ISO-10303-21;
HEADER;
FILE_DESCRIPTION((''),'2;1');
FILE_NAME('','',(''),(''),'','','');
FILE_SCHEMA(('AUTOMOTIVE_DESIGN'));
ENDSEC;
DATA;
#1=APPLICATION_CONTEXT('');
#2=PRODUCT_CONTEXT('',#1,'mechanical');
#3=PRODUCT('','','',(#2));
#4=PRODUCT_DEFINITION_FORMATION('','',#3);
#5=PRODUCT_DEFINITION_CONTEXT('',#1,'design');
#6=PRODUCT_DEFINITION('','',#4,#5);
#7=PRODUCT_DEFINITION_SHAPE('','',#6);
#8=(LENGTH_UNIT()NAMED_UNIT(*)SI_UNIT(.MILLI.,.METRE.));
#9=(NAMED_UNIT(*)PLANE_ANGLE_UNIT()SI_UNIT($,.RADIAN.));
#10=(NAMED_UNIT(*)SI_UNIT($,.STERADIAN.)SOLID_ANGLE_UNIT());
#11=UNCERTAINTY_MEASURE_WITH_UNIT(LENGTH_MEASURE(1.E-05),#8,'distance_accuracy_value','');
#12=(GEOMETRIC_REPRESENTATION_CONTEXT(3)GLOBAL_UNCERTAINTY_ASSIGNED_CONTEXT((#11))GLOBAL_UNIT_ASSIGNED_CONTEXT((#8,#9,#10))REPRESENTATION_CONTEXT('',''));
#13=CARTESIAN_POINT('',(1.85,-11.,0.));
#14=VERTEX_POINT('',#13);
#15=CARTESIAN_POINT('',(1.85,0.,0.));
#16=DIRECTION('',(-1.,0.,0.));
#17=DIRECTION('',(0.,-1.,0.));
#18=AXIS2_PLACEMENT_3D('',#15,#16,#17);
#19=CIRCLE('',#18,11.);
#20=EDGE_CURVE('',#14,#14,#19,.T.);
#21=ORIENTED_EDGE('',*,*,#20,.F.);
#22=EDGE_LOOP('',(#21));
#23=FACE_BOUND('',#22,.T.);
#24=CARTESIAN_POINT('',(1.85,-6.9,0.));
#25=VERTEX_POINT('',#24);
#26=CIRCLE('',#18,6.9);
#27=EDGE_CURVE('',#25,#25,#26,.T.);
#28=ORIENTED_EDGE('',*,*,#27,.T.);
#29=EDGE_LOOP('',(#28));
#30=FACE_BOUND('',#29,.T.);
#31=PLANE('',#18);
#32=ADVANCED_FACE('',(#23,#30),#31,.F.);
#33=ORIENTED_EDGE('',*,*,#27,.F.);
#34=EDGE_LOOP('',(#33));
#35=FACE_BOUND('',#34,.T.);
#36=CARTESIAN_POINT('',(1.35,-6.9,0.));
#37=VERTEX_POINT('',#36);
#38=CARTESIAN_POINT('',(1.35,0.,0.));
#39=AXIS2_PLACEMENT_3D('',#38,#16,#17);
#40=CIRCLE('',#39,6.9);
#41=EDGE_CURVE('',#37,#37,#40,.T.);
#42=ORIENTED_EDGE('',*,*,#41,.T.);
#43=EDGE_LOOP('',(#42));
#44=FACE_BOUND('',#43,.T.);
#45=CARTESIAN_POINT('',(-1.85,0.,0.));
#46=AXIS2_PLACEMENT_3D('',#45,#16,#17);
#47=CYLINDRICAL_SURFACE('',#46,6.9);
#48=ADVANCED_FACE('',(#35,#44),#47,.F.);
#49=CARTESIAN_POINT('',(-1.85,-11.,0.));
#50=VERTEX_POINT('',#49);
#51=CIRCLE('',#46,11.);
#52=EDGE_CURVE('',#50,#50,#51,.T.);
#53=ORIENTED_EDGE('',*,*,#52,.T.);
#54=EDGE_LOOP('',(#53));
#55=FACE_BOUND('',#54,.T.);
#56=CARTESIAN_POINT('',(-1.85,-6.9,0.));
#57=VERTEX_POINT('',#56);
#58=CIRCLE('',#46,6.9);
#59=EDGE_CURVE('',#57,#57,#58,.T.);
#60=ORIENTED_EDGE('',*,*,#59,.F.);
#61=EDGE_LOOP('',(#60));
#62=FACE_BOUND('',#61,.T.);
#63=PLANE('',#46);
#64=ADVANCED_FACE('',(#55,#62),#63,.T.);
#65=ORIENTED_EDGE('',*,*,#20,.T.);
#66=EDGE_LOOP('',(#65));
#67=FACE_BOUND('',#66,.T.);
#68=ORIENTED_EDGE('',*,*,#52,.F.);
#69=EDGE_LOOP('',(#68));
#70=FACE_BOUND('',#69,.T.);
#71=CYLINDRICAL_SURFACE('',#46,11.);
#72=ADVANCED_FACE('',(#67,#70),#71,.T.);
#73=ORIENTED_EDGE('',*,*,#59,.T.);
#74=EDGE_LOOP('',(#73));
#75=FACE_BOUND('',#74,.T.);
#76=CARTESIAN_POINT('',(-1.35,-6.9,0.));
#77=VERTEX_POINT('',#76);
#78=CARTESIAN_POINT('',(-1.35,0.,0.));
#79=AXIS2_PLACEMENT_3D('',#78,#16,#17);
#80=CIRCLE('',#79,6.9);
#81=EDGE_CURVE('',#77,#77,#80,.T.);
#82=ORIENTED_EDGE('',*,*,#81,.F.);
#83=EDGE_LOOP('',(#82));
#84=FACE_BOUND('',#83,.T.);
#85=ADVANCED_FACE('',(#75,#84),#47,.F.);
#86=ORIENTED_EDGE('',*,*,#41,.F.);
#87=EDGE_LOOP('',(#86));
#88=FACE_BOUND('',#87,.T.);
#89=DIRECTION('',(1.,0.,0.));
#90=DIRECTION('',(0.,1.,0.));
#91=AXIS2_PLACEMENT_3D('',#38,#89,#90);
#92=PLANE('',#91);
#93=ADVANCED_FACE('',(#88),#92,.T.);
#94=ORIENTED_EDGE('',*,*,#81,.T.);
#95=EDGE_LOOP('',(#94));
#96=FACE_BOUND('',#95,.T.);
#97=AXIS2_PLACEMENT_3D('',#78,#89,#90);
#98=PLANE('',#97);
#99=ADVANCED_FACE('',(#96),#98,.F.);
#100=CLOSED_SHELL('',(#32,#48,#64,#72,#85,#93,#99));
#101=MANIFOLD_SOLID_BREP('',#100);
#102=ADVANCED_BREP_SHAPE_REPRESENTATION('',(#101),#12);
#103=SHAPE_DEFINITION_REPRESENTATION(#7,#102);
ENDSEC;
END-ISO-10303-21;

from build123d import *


with BuildPart() as part:
    # Sketch1 → Revolve1 (revolve)
    with BuildSketch(Plane.XY, mode=Mode.PRIVATE) as revolve1_sk:
        Polygon((-1.85, 11), (-1.85, 6.9), (-1.35, 6.9), (-1.35, 0), (1.35, 0), (1.35, 6.9), (1.85, 6.9), (1.85, 11), align=None)
    revolve(revolve1_sk.sketch.rotate(Axis((-1.85, 0, 0), (1, 0, 0)), 180), axis=Axis((-1.85, 0, 0), (1, 0, 0)))


solid = part.part
